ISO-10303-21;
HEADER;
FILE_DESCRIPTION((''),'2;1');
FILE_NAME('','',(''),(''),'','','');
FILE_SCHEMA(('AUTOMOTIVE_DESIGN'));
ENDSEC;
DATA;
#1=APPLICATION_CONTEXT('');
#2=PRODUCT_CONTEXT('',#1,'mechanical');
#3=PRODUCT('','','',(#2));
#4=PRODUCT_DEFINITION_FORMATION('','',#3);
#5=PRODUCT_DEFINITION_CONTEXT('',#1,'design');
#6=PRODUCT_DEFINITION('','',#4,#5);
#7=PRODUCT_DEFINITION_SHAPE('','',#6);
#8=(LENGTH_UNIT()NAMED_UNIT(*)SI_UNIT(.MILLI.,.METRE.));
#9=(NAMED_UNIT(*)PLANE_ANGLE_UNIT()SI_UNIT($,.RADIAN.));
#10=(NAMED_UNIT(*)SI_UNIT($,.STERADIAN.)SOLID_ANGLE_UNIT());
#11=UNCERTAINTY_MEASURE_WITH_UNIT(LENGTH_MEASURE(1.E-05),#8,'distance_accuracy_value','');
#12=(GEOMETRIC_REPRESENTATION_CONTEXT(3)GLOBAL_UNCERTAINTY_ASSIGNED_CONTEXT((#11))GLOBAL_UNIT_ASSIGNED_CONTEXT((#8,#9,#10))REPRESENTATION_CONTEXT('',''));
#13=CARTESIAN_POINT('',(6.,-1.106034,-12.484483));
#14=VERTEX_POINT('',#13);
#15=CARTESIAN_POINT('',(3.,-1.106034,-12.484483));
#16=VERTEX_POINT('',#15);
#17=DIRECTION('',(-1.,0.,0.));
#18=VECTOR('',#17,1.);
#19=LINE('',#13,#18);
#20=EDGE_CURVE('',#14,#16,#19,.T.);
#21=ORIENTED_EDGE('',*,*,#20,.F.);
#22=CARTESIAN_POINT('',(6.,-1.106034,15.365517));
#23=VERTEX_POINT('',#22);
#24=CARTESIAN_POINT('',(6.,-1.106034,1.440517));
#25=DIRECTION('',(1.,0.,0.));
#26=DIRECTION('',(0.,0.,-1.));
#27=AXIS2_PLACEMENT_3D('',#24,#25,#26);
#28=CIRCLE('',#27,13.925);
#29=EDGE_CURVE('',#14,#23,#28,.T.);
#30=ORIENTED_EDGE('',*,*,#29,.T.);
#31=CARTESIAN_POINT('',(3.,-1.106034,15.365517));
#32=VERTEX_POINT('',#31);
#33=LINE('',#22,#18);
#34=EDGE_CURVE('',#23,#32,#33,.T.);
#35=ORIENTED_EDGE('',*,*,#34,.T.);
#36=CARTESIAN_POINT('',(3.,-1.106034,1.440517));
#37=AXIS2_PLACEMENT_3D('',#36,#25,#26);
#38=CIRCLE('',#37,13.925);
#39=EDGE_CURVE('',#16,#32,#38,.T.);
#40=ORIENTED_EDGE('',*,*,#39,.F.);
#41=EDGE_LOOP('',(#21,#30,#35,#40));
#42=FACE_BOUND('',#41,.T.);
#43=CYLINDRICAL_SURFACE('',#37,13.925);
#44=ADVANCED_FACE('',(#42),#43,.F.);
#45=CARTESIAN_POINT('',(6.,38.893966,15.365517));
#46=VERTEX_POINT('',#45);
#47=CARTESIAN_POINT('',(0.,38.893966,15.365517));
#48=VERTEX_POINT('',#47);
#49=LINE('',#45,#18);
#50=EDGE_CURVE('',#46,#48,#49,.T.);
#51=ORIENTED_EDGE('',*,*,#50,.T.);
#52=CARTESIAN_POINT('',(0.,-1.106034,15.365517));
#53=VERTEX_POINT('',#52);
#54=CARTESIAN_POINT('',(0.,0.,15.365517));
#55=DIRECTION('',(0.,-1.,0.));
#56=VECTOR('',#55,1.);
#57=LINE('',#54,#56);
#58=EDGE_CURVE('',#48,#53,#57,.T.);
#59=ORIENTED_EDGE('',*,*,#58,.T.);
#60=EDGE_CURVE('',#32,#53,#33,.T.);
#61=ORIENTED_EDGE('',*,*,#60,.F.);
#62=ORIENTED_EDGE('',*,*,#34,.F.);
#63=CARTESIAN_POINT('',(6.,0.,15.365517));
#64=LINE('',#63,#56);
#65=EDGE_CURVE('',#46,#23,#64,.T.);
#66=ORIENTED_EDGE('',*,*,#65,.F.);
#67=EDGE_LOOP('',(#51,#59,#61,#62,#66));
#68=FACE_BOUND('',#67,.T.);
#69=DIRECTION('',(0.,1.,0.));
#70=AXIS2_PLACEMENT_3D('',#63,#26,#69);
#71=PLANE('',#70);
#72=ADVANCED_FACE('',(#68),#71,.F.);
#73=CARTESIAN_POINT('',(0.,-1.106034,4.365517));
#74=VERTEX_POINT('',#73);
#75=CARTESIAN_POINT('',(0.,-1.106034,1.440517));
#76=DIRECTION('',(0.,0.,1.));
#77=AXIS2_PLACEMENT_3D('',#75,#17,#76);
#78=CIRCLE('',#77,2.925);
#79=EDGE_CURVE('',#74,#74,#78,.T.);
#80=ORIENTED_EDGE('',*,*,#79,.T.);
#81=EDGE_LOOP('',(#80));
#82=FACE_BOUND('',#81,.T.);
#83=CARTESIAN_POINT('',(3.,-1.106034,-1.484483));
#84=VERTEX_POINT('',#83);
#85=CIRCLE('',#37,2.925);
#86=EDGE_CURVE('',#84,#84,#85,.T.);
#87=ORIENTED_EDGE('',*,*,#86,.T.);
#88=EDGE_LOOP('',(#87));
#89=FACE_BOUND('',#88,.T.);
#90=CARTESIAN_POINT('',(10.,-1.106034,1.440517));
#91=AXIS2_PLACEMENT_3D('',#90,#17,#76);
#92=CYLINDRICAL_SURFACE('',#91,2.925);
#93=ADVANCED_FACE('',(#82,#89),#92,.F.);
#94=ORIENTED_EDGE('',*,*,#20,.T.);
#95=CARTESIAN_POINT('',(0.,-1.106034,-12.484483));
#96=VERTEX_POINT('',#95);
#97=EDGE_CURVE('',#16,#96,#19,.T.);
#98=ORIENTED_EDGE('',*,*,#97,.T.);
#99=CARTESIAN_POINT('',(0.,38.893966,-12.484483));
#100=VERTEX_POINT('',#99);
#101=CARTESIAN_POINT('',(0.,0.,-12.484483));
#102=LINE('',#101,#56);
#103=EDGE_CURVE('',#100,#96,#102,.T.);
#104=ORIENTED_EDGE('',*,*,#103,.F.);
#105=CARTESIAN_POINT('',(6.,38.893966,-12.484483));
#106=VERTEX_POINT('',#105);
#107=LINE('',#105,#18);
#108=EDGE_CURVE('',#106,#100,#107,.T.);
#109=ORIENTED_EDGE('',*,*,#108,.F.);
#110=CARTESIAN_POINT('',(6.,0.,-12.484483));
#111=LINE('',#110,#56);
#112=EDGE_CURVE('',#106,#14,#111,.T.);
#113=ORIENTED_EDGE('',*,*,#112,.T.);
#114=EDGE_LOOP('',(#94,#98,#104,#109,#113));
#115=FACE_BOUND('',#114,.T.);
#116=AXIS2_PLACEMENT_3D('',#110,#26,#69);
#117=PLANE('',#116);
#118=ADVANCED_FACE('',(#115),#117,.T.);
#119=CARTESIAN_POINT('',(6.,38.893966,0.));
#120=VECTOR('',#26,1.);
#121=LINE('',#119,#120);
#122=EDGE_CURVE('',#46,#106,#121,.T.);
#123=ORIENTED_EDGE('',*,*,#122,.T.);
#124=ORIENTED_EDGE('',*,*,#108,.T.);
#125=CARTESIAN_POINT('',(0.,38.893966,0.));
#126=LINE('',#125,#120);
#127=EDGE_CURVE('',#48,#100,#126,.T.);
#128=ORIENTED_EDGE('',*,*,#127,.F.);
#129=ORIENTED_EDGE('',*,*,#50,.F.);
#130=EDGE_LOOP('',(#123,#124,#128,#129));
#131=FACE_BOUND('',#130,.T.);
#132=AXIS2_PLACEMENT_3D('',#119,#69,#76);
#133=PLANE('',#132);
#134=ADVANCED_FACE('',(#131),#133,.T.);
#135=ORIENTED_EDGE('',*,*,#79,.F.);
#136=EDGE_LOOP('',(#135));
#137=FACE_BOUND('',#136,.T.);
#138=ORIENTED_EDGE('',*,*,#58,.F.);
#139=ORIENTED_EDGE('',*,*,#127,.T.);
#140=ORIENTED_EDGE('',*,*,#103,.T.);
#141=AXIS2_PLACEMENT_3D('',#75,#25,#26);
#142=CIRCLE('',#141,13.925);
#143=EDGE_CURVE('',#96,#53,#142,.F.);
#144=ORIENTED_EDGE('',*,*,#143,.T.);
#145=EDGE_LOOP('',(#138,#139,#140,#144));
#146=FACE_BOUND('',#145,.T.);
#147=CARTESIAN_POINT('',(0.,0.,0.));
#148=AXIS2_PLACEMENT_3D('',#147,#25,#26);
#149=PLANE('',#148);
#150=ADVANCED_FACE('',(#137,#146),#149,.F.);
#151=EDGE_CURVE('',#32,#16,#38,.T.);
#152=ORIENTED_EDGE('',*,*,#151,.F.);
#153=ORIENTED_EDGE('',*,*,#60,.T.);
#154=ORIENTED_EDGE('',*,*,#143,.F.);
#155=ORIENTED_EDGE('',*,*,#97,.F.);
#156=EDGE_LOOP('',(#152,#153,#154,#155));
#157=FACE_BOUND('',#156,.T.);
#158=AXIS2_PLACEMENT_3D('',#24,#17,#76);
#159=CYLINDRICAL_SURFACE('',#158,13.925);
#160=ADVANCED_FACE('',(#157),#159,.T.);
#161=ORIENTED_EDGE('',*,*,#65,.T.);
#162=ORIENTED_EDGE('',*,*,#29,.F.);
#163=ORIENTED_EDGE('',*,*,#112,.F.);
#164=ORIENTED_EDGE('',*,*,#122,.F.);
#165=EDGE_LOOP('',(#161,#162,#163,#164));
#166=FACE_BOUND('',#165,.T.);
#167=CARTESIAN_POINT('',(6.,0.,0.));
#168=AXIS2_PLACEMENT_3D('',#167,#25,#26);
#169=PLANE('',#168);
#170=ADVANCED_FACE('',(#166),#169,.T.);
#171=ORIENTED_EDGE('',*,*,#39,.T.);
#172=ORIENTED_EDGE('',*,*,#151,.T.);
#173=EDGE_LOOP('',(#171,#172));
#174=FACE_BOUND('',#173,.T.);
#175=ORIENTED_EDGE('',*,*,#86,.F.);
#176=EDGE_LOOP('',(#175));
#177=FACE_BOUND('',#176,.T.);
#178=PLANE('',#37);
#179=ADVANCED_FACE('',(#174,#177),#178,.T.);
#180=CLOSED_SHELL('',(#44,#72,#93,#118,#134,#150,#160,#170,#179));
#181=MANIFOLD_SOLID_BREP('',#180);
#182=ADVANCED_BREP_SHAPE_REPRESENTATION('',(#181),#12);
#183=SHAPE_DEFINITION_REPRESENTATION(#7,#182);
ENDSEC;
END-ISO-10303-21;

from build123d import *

# Parameters (mm, degrees)
ESQUISSE1_W             = 27.85
ESQUISSE1_H             = 40
BOSS_EXTRU_1_DEPTH      = 6
ENL_V_START             = -3
ESQUISSE2_R             = 13.925
ENL_V_MAT_EXTRU_1_DEPTH = 3
ESQUISSE3_R             = 2.925
ENL_V_MAT_EXTRU_2_DEPTH = 10


with BuildPart() as part:
    # Esquisse1 → Boss.-Extru.1 (new body)
    with BuildSketch(Plane(origin=(0, 0, 0), x_dir=(0, 0, -1), z_dir=(1, 0, 0))):
        with Locations((-1.440517241, 18.893965517)):
            Rectangle(ESQUISSE1_W, ESQUISSE1_H)
        with BuildLine():
            ThreePointArc((12.484482759, -1.106034483), (-1.440517241, -15.031034483), (-15.365517241, -1.106034483))
            Line((-15.365517241, -1.106034483), (12.484482759, -1.106034483))
        make_face()
    extrude(amount=BOSS_EXTRU_1_DEPTH)

    # Esquisse2 → Enlèv. mat.-Extru.1 (cut)
    with BuildSketch(Plane(origin=(6, 0, 0), x_dir=(0, 0, -1), z_dir=(1, 0, 0)).offset(ENL_V_START)):
        with Locations((-1.440517241, -1.106034483)):
            Circle(ESQUISSE2_R)
    extrude(amount=ENL_V_MAT_EXTRU_1_DEPTH, mode=Mode.SUBTRACT)

    # Esquisse3 → Enlèv. mat.-Extru.2 (cut)
    with BuildSketch(Plane.ZY):
        with Locations((1.440517241, -1.106034483)):
            Circle(ESQUISSE3_R)
    extrude(amount=-ENL_V_MAT_EXTRU_2_DEPTH, mode=Mode.SUBTRACT)


solid = part.part
